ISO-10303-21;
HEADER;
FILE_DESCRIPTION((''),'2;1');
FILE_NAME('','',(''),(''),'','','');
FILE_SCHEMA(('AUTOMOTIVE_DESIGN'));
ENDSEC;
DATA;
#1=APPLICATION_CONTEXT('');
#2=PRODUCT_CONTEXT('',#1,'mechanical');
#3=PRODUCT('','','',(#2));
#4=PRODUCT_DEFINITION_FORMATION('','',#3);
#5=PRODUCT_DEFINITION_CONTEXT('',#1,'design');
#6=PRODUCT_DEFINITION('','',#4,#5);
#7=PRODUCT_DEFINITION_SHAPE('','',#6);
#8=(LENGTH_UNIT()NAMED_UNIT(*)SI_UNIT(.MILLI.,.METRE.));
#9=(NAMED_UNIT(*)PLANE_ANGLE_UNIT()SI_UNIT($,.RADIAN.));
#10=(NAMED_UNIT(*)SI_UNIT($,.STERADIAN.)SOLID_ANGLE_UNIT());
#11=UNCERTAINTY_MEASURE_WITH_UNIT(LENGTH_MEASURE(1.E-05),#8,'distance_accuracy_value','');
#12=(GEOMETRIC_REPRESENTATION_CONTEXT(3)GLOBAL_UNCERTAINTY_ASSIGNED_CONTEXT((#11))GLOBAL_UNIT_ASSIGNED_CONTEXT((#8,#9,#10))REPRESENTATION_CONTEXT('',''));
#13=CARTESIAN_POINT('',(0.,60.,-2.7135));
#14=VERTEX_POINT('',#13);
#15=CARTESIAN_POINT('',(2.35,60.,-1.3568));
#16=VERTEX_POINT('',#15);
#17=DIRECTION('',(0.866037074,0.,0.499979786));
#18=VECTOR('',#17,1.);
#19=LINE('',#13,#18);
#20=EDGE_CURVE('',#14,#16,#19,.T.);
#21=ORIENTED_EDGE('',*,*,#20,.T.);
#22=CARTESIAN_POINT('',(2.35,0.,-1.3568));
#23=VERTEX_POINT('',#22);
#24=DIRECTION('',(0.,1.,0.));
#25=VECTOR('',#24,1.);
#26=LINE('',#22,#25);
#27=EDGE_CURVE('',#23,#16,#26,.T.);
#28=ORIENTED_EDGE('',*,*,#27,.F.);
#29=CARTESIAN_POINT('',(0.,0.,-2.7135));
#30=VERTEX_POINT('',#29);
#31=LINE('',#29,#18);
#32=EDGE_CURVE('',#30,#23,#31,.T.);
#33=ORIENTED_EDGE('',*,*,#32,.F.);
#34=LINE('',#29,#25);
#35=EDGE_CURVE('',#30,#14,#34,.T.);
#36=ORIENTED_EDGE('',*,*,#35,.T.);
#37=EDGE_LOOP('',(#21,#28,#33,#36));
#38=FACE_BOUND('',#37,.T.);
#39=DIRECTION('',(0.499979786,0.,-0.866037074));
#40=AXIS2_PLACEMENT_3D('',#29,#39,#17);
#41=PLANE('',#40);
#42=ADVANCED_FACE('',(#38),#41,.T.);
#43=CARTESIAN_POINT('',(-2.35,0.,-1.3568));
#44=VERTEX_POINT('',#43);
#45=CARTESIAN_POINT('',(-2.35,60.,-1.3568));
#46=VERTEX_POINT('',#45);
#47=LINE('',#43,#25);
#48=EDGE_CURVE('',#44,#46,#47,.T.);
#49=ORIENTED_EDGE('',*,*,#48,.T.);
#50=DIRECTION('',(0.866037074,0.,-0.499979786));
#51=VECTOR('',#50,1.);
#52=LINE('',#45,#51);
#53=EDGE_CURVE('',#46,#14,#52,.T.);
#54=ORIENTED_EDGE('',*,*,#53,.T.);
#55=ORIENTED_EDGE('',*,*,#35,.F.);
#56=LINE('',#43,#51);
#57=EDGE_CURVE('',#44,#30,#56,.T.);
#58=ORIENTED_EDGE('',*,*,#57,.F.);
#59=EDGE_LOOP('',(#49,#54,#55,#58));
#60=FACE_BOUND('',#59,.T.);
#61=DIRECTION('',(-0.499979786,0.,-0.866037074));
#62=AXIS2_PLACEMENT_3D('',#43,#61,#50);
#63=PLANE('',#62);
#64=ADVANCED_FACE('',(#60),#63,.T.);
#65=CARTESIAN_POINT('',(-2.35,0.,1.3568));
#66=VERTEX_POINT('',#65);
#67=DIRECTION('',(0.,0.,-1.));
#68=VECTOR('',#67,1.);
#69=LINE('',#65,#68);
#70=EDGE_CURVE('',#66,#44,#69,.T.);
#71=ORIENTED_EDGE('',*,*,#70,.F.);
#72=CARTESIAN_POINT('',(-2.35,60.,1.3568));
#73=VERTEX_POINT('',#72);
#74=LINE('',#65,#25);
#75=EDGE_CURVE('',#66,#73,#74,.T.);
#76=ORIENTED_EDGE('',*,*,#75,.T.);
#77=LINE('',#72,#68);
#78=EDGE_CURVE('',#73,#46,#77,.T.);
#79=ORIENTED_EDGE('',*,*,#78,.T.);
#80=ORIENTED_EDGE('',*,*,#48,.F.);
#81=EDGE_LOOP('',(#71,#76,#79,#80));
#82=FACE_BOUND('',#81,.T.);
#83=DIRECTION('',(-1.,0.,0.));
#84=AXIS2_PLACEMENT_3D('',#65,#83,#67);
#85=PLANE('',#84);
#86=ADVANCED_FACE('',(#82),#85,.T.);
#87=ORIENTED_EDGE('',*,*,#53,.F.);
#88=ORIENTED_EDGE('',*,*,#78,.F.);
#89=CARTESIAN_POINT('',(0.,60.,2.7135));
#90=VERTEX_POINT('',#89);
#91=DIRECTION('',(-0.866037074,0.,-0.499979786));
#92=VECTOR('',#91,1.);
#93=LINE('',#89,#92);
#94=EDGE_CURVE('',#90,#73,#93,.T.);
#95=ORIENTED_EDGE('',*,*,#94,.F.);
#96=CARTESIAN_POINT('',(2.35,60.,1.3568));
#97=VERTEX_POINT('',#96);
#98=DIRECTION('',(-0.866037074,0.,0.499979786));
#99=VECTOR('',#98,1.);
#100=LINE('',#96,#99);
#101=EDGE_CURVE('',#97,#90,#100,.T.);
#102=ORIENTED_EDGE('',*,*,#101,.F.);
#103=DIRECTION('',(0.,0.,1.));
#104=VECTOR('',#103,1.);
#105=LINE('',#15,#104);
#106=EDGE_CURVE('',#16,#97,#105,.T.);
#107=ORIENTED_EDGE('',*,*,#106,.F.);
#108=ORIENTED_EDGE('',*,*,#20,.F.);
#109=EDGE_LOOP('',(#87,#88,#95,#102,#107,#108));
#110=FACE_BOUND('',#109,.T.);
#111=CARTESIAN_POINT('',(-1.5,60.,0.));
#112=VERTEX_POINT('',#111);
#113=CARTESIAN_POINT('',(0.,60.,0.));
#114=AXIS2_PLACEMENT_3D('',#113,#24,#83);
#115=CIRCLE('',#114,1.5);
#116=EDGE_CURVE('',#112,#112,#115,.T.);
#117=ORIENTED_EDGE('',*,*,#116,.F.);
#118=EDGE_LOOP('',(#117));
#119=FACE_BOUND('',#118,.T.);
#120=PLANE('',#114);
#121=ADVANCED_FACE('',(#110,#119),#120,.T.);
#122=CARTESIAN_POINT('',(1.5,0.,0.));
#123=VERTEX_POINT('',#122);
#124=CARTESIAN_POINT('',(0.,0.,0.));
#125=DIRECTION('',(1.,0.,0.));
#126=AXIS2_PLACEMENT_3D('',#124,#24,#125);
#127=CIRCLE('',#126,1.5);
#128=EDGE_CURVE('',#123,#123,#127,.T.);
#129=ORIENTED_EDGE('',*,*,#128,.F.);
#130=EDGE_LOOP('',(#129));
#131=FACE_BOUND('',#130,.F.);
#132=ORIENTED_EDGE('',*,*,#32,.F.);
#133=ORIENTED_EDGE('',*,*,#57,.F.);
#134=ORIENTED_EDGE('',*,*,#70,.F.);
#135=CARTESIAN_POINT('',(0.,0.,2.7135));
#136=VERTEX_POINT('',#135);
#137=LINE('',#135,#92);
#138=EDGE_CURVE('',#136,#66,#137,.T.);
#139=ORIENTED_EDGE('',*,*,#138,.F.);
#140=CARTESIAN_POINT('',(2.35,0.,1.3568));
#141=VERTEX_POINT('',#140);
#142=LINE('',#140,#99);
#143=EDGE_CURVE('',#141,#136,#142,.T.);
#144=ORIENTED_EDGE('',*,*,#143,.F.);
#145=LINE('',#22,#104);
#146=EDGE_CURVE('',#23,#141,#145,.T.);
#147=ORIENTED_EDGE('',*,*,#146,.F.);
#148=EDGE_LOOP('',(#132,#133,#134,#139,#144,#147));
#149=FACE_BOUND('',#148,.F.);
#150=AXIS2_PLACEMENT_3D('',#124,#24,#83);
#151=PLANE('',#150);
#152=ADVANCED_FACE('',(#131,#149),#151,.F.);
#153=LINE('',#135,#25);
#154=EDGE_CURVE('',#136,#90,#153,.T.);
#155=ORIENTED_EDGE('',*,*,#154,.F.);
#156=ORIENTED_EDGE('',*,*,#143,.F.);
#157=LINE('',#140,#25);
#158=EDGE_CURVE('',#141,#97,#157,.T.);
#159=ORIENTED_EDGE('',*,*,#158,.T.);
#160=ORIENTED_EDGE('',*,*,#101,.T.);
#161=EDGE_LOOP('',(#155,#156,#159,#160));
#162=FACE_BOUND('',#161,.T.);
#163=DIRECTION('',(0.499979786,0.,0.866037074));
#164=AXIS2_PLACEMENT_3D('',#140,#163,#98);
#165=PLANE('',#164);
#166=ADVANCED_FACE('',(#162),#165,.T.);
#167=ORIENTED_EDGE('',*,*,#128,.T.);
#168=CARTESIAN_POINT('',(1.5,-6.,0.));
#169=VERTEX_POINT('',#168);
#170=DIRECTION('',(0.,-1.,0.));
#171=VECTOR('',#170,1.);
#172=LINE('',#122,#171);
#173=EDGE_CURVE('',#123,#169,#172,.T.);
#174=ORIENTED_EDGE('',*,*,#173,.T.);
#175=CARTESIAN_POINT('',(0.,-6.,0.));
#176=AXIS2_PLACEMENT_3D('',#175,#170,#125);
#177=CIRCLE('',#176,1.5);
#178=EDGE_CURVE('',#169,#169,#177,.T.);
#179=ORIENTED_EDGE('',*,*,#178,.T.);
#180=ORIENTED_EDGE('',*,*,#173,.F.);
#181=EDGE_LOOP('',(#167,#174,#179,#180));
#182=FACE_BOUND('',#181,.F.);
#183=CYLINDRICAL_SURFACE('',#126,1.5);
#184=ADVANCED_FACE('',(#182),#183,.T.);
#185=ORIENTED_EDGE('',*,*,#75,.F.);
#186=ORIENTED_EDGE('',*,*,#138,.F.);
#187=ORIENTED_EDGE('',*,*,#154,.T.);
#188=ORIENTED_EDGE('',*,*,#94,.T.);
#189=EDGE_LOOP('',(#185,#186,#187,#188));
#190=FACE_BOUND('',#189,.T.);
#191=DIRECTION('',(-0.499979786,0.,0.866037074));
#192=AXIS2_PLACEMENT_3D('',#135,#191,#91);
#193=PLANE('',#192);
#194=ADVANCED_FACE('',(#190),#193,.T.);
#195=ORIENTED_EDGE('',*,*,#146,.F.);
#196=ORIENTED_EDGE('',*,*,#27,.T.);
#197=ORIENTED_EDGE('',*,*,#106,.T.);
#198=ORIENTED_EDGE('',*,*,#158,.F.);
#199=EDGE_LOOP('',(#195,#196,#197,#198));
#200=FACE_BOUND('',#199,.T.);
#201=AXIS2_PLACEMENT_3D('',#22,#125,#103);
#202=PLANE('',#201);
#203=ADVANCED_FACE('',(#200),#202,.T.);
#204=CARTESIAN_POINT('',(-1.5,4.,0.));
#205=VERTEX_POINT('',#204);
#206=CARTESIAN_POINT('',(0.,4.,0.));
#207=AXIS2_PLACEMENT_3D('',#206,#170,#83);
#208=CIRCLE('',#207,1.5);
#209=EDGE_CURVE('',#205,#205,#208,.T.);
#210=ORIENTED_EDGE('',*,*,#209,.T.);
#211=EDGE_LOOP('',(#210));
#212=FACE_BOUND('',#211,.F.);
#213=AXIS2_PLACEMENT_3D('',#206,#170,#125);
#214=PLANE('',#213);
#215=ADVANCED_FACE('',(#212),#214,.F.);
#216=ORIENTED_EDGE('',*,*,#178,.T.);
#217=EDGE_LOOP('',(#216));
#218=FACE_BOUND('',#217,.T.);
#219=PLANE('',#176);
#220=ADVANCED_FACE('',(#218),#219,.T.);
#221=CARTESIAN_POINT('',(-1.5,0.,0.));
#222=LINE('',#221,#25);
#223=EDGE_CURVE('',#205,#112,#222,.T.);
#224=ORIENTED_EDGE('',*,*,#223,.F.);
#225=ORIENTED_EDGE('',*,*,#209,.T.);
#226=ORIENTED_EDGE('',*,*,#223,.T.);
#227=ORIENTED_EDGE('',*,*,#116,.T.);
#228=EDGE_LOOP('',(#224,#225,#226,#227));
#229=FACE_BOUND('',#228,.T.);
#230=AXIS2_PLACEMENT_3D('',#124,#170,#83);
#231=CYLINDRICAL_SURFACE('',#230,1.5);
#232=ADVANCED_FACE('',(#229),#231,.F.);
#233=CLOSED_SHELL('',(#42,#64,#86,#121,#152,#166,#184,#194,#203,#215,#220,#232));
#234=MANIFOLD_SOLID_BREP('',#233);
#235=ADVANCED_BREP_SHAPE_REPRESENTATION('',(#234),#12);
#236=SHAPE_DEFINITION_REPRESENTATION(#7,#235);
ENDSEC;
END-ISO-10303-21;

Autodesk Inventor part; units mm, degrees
ref_plane "YZ Plane" through (0, 0, 0) normal (1, 0, 0) x (0, 1, 0)
ref_plane "XZ Plane" through (0, 0, 0) normal (0, 1, 0) x (-1, 0, 0)
ref_plane "XY Plane" through (0, 0, 0) normal (0, 0, 1) x (1, 0, 0)
sketch "Sketch1" plane through (0, 0, 0) normal (0, 1, 0) x (-1, 0, 0)
  line L0 (0, -2.7135) -> (-2.35, -1.3568)
  line L1 (-2.35, -1.3568) -> (-2.35, 1.3568)
  line L2 (-2.35, 1.3568) -> (0, 2.7135)
  line L3 (0, 2.7135) -> (2.35, 1.3568)
  line L4 (2.35, 1.3568) -> (2.35, -1.3568)
  line L5 (2.35, -1.3568) -> (0, -2.7135)
  circle A0 centre (0, 0) radius 1.5
  dimension "d1" = 3
  dimension "d4" = 4.7
extrude "Extrusion1" add sketch "Sketch1" along normal blind 60
sketch "Sketch2" plane through (0, 0, 0) normal (0, -1, 0) x (1, 0, 0)
  circle A0 centre (0, 0) radius 1.5 projected
  circle A1 centre (0, 0) radius 1.5
  dimension "d5" = 3
extrude "Extrusion2" add sketch "Sketch2" along normal blind 6 and the other way blind 4
thread "Thread1" size "M3x0.5" class "6g" standard "ANSI Metric M Profile" full length
properties part number "Brass Spacer" material "Brass, Soft Yellow"
